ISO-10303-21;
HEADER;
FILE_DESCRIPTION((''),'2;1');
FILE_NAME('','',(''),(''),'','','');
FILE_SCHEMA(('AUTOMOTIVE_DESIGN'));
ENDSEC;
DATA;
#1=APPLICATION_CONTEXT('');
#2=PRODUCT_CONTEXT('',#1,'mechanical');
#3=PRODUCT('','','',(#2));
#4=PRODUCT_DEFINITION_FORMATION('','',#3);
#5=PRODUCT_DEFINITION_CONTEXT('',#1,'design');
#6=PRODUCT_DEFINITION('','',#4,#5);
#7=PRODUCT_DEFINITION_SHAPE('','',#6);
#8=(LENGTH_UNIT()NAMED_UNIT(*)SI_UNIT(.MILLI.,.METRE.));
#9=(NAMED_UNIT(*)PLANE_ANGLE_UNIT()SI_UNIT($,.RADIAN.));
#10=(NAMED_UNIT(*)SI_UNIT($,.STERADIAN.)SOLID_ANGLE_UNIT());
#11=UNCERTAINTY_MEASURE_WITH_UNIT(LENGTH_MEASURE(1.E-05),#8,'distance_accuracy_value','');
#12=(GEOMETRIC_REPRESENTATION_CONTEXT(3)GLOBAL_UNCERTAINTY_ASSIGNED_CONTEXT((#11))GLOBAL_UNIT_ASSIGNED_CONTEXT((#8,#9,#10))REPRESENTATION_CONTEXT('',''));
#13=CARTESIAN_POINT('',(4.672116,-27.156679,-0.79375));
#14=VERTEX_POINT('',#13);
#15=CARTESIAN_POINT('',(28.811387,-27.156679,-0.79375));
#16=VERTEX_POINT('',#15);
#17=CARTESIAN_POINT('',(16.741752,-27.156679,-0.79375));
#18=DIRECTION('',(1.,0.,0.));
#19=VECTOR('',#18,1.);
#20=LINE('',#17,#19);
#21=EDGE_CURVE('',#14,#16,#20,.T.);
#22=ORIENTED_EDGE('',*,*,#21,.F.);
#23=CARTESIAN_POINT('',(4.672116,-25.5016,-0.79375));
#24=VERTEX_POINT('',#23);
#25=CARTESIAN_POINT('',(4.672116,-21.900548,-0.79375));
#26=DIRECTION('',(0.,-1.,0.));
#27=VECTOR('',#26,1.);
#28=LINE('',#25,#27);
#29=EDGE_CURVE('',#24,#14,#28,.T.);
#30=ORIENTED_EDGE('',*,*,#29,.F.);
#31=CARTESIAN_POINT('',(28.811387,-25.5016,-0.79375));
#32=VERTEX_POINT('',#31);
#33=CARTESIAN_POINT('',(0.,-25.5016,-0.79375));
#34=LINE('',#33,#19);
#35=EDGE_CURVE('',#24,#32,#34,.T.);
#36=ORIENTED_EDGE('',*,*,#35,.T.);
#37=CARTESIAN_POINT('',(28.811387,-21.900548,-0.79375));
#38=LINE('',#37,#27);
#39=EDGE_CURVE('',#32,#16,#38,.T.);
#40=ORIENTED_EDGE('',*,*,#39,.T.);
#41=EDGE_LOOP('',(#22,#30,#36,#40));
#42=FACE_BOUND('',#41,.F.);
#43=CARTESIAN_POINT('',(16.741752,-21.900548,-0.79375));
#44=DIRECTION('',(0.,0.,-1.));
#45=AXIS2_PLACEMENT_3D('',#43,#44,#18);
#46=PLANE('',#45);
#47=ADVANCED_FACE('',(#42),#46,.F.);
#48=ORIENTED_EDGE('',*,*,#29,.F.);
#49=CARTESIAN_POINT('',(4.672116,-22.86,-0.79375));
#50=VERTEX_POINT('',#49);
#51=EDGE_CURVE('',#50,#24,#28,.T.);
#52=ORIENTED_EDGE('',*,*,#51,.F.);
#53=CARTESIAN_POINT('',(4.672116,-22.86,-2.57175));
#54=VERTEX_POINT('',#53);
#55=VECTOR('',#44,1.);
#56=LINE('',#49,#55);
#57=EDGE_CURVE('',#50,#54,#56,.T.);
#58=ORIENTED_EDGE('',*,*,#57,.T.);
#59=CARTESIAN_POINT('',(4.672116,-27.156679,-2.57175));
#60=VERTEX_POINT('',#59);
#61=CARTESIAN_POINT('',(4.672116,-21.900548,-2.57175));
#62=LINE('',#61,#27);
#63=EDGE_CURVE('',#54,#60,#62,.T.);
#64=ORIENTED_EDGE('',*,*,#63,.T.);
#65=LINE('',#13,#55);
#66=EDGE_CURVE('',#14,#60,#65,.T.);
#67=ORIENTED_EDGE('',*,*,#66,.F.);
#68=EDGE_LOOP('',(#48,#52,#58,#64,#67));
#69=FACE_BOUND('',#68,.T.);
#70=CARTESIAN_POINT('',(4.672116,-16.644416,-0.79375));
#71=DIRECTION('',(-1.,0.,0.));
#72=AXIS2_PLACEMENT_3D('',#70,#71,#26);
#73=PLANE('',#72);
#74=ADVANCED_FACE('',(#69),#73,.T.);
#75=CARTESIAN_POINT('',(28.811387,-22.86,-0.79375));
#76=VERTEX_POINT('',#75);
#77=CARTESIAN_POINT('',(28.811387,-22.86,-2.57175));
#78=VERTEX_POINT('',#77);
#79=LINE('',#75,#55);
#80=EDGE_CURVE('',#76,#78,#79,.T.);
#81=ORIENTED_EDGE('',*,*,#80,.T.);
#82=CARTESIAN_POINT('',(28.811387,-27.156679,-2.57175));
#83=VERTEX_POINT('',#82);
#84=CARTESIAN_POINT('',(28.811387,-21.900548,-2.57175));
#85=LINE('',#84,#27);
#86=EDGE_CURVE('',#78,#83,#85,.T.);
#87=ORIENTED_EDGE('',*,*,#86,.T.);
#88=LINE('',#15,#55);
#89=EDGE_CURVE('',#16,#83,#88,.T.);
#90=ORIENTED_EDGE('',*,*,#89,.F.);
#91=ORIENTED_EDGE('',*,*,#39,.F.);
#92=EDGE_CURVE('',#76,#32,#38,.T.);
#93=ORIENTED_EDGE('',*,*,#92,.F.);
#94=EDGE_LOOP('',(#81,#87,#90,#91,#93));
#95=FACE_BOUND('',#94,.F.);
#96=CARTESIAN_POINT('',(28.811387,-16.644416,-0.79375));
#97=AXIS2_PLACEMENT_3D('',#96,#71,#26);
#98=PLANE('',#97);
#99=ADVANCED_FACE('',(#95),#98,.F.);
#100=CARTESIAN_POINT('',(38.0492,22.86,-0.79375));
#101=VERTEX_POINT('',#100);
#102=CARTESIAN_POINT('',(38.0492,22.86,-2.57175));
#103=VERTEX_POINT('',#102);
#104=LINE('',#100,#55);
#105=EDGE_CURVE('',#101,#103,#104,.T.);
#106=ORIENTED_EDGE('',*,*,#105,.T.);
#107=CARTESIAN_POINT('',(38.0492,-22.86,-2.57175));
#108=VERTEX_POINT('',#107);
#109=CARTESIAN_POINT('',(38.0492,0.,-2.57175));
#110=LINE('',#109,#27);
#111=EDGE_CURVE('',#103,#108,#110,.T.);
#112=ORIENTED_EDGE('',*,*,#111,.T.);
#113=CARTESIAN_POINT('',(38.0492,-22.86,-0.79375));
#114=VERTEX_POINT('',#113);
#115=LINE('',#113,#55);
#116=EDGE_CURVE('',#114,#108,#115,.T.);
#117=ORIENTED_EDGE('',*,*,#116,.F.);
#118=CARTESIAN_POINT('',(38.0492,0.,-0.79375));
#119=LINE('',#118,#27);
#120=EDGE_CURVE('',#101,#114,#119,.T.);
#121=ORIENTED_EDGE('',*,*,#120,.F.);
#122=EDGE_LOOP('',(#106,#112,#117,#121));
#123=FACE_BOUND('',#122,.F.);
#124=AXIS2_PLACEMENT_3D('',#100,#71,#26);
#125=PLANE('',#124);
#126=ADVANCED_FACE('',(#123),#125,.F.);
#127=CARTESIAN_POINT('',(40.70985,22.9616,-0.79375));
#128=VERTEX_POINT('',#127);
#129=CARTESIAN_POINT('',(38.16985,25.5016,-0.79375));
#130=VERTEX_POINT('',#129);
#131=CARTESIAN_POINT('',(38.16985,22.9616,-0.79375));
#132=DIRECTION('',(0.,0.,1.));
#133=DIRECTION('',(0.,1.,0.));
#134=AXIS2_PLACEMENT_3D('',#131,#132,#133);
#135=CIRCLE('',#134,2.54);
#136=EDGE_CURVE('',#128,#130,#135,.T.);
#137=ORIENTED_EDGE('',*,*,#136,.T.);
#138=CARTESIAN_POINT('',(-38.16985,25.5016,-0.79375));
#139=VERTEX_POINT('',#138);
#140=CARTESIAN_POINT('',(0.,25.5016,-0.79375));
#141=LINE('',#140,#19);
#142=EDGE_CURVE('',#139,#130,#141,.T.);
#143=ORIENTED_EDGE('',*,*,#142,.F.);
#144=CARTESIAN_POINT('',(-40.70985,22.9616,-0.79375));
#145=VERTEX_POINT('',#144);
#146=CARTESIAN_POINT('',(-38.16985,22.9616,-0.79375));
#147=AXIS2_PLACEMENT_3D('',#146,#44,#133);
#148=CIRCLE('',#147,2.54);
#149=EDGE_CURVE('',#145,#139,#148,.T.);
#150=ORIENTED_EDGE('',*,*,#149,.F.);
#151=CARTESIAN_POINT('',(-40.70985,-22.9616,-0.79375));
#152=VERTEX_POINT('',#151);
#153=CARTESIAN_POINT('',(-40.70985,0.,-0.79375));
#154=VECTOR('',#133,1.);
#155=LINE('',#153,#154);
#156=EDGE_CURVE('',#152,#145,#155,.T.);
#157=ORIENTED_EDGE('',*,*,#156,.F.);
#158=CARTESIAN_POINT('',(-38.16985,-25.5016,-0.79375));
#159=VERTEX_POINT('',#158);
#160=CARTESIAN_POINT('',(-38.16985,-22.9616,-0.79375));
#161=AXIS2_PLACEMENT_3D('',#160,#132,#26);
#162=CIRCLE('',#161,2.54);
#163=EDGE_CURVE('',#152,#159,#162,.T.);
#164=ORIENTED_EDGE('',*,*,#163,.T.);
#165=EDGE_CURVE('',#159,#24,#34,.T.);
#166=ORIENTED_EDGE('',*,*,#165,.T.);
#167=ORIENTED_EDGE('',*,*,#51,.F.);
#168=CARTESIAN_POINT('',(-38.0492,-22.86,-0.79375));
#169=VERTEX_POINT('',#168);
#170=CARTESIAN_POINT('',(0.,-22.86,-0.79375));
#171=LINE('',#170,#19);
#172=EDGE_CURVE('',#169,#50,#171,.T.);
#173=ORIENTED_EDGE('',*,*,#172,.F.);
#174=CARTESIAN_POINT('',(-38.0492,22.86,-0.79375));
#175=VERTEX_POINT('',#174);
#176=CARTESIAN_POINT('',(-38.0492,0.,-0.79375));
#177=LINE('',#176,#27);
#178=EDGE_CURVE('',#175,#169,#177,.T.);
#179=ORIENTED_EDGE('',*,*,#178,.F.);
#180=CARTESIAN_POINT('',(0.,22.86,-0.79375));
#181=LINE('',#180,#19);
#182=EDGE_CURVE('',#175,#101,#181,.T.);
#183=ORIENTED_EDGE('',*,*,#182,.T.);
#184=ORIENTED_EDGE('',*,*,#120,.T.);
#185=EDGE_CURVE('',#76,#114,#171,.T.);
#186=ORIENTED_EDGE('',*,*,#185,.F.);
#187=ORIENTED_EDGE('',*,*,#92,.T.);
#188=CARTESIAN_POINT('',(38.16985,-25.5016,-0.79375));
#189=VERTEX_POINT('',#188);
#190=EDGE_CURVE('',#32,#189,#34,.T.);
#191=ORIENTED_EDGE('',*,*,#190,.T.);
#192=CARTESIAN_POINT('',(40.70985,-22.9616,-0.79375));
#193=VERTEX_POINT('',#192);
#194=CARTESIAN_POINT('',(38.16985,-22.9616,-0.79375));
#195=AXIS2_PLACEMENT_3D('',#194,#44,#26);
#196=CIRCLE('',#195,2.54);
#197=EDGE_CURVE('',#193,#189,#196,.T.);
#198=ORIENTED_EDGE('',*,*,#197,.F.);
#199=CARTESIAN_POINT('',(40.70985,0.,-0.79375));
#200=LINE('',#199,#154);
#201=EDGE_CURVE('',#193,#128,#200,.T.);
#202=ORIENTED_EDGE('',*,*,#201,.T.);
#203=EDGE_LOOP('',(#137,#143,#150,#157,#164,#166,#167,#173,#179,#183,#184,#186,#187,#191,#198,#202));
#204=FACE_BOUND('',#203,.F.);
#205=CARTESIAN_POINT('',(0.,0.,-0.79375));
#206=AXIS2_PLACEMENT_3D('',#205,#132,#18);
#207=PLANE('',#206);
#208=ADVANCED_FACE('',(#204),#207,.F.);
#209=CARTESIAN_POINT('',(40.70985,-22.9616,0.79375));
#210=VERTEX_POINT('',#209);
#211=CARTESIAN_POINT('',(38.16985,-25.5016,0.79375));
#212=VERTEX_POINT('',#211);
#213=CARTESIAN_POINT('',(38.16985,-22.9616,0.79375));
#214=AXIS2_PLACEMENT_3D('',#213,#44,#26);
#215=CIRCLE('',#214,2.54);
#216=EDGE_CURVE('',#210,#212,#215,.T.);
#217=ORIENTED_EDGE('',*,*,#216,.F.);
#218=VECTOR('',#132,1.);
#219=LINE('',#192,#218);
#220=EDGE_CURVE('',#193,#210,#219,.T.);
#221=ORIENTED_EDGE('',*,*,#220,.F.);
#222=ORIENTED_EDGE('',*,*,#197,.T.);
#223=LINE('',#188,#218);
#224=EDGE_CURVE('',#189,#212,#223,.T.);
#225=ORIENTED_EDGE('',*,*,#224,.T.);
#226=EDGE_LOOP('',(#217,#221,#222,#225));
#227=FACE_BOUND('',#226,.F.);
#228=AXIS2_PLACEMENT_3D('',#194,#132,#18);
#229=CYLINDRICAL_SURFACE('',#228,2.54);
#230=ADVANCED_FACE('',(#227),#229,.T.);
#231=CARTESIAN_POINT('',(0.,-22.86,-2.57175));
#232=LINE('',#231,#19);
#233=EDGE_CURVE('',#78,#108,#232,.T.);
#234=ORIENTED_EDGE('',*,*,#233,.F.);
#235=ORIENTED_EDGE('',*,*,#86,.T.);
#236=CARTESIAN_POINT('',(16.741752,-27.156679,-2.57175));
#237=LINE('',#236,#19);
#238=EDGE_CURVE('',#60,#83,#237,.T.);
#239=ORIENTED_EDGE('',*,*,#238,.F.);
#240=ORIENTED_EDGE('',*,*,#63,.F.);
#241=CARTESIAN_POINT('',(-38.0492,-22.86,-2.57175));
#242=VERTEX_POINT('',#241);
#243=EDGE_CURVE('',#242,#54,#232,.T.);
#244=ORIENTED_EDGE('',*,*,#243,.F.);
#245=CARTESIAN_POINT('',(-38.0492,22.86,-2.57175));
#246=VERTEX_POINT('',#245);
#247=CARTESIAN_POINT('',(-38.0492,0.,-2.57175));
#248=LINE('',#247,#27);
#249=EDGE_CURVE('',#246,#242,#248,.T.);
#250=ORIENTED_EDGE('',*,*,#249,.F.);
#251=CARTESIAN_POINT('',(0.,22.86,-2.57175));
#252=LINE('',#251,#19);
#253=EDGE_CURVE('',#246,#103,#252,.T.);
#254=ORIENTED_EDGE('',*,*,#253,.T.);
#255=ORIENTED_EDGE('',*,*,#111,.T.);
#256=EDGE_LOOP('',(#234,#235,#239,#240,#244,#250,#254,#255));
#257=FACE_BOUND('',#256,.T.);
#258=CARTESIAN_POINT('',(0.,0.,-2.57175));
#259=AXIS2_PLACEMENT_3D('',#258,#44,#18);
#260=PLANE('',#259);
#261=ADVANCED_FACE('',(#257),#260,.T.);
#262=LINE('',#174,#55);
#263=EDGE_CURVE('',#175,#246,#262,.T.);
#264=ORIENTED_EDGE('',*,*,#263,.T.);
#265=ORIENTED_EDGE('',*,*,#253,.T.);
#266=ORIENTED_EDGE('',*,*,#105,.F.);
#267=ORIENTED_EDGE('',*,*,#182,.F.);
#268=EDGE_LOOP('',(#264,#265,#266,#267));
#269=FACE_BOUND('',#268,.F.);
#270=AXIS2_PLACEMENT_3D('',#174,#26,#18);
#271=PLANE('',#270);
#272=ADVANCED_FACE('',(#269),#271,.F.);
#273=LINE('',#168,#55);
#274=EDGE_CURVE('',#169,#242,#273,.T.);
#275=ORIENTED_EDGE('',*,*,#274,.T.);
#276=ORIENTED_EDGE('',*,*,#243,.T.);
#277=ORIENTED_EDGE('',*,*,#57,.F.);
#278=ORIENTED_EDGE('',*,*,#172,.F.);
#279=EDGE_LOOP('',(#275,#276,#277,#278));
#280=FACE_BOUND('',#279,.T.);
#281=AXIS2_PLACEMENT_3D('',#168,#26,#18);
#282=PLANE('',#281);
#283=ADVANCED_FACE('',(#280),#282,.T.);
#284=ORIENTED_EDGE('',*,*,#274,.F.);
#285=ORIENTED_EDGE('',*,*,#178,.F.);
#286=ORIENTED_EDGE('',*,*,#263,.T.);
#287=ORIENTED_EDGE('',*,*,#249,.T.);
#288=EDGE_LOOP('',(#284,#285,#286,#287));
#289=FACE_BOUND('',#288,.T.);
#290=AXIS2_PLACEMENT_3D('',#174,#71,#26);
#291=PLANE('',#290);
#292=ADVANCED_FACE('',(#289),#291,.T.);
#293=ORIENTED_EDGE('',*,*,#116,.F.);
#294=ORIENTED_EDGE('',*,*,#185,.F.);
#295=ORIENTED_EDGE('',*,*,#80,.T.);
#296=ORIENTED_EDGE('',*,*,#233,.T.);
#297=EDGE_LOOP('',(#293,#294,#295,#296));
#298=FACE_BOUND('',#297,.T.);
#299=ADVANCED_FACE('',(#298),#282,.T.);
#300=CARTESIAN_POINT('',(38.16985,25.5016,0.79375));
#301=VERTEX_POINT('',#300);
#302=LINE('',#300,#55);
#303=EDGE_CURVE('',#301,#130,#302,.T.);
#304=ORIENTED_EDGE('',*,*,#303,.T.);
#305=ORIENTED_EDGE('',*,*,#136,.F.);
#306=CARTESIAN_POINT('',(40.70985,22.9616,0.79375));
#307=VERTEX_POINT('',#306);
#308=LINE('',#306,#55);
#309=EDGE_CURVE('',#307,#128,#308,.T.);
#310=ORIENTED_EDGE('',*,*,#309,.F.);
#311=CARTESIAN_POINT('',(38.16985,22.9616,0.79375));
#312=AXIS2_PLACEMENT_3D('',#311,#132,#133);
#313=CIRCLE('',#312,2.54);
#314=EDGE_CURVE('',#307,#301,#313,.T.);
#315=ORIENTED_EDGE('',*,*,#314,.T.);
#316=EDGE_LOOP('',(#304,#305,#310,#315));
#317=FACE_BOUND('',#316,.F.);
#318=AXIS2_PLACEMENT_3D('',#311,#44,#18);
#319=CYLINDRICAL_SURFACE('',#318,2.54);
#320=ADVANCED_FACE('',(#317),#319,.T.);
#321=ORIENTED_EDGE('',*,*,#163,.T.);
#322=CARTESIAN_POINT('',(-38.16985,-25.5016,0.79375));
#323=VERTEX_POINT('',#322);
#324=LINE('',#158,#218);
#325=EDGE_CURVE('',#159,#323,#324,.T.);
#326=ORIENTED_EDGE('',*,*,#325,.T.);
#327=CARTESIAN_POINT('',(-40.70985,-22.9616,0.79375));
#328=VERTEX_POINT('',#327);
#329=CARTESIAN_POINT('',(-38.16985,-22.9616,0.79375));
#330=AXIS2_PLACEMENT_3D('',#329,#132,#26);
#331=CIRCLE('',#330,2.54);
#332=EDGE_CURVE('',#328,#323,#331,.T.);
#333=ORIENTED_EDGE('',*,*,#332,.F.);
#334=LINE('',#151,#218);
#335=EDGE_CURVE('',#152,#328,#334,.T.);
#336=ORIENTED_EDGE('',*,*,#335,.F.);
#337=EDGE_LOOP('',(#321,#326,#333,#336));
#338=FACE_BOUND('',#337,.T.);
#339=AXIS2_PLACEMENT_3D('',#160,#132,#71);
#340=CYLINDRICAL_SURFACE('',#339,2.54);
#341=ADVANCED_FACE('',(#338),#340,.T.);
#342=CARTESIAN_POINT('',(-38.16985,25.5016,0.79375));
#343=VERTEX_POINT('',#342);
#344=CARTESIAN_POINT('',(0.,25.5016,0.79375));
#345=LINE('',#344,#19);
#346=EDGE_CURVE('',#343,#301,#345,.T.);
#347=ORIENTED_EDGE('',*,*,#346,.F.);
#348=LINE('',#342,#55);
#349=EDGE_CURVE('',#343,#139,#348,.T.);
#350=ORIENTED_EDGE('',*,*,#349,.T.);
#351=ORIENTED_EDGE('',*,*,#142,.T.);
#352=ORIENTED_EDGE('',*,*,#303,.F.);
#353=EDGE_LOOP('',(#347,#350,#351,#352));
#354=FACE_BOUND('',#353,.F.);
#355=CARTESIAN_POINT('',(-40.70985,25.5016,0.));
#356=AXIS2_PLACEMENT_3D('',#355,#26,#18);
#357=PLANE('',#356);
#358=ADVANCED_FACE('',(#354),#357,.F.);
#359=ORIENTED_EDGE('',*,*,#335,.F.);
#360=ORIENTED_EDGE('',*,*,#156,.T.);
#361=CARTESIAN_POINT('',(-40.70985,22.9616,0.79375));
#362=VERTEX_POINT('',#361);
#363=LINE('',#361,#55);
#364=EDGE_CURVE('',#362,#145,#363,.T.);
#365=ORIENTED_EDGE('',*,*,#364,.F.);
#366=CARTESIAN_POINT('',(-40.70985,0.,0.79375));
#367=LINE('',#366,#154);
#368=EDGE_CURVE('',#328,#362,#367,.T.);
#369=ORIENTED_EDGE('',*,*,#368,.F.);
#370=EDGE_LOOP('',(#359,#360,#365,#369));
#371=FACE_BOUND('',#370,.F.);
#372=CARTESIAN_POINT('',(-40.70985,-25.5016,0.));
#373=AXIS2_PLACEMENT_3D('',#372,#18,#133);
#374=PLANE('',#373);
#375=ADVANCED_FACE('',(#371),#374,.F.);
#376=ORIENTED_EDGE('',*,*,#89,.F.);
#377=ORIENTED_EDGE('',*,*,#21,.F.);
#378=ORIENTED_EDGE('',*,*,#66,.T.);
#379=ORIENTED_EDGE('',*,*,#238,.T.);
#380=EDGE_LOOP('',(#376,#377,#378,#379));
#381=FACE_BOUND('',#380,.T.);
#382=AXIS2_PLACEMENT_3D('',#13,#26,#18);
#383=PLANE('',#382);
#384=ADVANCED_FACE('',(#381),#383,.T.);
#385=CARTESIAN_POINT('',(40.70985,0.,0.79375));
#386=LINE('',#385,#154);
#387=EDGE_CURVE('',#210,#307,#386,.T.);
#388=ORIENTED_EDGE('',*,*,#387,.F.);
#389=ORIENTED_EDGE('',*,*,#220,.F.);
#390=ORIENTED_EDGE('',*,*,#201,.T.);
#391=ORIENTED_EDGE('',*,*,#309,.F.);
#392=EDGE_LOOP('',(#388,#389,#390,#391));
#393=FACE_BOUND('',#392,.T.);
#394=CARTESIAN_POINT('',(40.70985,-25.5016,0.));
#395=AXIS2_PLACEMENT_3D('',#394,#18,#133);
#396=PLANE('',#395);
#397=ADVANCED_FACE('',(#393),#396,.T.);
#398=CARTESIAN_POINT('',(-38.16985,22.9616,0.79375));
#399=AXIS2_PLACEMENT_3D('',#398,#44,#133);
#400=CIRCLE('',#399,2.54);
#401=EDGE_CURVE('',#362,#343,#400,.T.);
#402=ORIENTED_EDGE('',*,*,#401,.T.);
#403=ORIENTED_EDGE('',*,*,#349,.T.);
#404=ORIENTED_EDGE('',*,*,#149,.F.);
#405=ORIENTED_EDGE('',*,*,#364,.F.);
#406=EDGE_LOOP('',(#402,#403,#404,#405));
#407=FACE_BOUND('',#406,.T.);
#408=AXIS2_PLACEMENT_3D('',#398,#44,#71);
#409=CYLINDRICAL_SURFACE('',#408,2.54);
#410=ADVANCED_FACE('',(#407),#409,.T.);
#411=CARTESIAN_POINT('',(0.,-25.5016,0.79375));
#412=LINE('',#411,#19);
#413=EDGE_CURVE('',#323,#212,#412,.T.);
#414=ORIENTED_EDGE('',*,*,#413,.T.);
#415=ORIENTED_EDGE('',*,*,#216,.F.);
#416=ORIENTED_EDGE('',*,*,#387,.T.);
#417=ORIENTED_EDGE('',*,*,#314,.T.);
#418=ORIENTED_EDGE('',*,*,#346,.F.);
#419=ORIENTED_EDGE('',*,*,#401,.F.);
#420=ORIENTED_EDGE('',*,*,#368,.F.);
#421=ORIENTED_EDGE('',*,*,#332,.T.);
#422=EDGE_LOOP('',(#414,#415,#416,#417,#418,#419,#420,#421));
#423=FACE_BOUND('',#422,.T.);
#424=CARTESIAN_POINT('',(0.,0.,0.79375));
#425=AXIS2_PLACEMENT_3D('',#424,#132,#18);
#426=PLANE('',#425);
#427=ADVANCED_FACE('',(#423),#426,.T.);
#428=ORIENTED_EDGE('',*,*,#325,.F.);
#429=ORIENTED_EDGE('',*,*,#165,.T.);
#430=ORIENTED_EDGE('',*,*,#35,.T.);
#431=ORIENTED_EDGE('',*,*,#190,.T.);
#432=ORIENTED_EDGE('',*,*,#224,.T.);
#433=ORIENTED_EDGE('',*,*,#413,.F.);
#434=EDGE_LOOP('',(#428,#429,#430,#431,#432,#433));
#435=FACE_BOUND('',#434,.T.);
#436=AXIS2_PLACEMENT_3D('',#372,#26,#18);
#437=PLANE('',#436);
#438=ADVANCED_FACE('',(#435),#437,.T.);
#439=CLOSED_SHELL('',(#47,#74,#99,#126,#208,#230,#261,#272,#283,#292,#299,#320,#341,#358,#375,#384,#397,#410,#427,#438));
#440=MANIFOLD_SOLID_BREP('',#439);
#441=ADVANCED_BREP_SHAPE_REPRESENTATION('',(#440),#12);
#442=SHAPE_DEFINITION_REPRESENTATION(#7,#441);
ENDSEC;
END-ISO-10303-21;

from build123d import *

# Parameters (mm, degrees)
F0_W     = 81.4197
F0_H     = 51.0032
F1_DEPTH = 0.79375
F2_R     = 2.54
F3_W     = 76.0984
F3_H     = 45.72
F4_DEPTH = 1.778
F5_W     = 24.139271
F5_H     = 10.512263
F6_DEPTH = 1.778


with BuildPart() as f1:
    # F0 (on Top) → F1 (new body, symmetric)
    with BuildSketch(Plane.XY):
        Rectangle(F0_W, F0_H)
    extrude(amount=F1_DEPTH, both=True)

    # F2
    f2_edges = [f1.edges().sort_by_distance(p)[0] for p in [
        (40.70985, -25.5016, 0),
        (40.70985, 25.5016, 0),
        (-40.70985, -25.5016, 0),
        (-40.70985, 25.5016, 0),
    ]]
    fillet(f2_edges, radius=F2_R)

    # F3 (on face) → F4 (join)
    with BuildSketch(Plane(origin=(0, 0, -0.79375), x_dir=(1, 0, 0), z_dir=(0, 0, -1))):
        Rectangle(F3_W, F3_H)
    extrude(amount=F4_DEPTH)

    # F5 (on face) → F6 (join, through all)
    with BuildSketch(Plane(origin=(0, 0, -0.79375), x_dir=(1, 0, 0), z_dir=(0, 0, -1))):
        with Locations((16.741752, 21.900548)):
            Rectangle(F5_W, F5_H)
    extrude(amount=F6_DEPTH)


solid = f1.part
